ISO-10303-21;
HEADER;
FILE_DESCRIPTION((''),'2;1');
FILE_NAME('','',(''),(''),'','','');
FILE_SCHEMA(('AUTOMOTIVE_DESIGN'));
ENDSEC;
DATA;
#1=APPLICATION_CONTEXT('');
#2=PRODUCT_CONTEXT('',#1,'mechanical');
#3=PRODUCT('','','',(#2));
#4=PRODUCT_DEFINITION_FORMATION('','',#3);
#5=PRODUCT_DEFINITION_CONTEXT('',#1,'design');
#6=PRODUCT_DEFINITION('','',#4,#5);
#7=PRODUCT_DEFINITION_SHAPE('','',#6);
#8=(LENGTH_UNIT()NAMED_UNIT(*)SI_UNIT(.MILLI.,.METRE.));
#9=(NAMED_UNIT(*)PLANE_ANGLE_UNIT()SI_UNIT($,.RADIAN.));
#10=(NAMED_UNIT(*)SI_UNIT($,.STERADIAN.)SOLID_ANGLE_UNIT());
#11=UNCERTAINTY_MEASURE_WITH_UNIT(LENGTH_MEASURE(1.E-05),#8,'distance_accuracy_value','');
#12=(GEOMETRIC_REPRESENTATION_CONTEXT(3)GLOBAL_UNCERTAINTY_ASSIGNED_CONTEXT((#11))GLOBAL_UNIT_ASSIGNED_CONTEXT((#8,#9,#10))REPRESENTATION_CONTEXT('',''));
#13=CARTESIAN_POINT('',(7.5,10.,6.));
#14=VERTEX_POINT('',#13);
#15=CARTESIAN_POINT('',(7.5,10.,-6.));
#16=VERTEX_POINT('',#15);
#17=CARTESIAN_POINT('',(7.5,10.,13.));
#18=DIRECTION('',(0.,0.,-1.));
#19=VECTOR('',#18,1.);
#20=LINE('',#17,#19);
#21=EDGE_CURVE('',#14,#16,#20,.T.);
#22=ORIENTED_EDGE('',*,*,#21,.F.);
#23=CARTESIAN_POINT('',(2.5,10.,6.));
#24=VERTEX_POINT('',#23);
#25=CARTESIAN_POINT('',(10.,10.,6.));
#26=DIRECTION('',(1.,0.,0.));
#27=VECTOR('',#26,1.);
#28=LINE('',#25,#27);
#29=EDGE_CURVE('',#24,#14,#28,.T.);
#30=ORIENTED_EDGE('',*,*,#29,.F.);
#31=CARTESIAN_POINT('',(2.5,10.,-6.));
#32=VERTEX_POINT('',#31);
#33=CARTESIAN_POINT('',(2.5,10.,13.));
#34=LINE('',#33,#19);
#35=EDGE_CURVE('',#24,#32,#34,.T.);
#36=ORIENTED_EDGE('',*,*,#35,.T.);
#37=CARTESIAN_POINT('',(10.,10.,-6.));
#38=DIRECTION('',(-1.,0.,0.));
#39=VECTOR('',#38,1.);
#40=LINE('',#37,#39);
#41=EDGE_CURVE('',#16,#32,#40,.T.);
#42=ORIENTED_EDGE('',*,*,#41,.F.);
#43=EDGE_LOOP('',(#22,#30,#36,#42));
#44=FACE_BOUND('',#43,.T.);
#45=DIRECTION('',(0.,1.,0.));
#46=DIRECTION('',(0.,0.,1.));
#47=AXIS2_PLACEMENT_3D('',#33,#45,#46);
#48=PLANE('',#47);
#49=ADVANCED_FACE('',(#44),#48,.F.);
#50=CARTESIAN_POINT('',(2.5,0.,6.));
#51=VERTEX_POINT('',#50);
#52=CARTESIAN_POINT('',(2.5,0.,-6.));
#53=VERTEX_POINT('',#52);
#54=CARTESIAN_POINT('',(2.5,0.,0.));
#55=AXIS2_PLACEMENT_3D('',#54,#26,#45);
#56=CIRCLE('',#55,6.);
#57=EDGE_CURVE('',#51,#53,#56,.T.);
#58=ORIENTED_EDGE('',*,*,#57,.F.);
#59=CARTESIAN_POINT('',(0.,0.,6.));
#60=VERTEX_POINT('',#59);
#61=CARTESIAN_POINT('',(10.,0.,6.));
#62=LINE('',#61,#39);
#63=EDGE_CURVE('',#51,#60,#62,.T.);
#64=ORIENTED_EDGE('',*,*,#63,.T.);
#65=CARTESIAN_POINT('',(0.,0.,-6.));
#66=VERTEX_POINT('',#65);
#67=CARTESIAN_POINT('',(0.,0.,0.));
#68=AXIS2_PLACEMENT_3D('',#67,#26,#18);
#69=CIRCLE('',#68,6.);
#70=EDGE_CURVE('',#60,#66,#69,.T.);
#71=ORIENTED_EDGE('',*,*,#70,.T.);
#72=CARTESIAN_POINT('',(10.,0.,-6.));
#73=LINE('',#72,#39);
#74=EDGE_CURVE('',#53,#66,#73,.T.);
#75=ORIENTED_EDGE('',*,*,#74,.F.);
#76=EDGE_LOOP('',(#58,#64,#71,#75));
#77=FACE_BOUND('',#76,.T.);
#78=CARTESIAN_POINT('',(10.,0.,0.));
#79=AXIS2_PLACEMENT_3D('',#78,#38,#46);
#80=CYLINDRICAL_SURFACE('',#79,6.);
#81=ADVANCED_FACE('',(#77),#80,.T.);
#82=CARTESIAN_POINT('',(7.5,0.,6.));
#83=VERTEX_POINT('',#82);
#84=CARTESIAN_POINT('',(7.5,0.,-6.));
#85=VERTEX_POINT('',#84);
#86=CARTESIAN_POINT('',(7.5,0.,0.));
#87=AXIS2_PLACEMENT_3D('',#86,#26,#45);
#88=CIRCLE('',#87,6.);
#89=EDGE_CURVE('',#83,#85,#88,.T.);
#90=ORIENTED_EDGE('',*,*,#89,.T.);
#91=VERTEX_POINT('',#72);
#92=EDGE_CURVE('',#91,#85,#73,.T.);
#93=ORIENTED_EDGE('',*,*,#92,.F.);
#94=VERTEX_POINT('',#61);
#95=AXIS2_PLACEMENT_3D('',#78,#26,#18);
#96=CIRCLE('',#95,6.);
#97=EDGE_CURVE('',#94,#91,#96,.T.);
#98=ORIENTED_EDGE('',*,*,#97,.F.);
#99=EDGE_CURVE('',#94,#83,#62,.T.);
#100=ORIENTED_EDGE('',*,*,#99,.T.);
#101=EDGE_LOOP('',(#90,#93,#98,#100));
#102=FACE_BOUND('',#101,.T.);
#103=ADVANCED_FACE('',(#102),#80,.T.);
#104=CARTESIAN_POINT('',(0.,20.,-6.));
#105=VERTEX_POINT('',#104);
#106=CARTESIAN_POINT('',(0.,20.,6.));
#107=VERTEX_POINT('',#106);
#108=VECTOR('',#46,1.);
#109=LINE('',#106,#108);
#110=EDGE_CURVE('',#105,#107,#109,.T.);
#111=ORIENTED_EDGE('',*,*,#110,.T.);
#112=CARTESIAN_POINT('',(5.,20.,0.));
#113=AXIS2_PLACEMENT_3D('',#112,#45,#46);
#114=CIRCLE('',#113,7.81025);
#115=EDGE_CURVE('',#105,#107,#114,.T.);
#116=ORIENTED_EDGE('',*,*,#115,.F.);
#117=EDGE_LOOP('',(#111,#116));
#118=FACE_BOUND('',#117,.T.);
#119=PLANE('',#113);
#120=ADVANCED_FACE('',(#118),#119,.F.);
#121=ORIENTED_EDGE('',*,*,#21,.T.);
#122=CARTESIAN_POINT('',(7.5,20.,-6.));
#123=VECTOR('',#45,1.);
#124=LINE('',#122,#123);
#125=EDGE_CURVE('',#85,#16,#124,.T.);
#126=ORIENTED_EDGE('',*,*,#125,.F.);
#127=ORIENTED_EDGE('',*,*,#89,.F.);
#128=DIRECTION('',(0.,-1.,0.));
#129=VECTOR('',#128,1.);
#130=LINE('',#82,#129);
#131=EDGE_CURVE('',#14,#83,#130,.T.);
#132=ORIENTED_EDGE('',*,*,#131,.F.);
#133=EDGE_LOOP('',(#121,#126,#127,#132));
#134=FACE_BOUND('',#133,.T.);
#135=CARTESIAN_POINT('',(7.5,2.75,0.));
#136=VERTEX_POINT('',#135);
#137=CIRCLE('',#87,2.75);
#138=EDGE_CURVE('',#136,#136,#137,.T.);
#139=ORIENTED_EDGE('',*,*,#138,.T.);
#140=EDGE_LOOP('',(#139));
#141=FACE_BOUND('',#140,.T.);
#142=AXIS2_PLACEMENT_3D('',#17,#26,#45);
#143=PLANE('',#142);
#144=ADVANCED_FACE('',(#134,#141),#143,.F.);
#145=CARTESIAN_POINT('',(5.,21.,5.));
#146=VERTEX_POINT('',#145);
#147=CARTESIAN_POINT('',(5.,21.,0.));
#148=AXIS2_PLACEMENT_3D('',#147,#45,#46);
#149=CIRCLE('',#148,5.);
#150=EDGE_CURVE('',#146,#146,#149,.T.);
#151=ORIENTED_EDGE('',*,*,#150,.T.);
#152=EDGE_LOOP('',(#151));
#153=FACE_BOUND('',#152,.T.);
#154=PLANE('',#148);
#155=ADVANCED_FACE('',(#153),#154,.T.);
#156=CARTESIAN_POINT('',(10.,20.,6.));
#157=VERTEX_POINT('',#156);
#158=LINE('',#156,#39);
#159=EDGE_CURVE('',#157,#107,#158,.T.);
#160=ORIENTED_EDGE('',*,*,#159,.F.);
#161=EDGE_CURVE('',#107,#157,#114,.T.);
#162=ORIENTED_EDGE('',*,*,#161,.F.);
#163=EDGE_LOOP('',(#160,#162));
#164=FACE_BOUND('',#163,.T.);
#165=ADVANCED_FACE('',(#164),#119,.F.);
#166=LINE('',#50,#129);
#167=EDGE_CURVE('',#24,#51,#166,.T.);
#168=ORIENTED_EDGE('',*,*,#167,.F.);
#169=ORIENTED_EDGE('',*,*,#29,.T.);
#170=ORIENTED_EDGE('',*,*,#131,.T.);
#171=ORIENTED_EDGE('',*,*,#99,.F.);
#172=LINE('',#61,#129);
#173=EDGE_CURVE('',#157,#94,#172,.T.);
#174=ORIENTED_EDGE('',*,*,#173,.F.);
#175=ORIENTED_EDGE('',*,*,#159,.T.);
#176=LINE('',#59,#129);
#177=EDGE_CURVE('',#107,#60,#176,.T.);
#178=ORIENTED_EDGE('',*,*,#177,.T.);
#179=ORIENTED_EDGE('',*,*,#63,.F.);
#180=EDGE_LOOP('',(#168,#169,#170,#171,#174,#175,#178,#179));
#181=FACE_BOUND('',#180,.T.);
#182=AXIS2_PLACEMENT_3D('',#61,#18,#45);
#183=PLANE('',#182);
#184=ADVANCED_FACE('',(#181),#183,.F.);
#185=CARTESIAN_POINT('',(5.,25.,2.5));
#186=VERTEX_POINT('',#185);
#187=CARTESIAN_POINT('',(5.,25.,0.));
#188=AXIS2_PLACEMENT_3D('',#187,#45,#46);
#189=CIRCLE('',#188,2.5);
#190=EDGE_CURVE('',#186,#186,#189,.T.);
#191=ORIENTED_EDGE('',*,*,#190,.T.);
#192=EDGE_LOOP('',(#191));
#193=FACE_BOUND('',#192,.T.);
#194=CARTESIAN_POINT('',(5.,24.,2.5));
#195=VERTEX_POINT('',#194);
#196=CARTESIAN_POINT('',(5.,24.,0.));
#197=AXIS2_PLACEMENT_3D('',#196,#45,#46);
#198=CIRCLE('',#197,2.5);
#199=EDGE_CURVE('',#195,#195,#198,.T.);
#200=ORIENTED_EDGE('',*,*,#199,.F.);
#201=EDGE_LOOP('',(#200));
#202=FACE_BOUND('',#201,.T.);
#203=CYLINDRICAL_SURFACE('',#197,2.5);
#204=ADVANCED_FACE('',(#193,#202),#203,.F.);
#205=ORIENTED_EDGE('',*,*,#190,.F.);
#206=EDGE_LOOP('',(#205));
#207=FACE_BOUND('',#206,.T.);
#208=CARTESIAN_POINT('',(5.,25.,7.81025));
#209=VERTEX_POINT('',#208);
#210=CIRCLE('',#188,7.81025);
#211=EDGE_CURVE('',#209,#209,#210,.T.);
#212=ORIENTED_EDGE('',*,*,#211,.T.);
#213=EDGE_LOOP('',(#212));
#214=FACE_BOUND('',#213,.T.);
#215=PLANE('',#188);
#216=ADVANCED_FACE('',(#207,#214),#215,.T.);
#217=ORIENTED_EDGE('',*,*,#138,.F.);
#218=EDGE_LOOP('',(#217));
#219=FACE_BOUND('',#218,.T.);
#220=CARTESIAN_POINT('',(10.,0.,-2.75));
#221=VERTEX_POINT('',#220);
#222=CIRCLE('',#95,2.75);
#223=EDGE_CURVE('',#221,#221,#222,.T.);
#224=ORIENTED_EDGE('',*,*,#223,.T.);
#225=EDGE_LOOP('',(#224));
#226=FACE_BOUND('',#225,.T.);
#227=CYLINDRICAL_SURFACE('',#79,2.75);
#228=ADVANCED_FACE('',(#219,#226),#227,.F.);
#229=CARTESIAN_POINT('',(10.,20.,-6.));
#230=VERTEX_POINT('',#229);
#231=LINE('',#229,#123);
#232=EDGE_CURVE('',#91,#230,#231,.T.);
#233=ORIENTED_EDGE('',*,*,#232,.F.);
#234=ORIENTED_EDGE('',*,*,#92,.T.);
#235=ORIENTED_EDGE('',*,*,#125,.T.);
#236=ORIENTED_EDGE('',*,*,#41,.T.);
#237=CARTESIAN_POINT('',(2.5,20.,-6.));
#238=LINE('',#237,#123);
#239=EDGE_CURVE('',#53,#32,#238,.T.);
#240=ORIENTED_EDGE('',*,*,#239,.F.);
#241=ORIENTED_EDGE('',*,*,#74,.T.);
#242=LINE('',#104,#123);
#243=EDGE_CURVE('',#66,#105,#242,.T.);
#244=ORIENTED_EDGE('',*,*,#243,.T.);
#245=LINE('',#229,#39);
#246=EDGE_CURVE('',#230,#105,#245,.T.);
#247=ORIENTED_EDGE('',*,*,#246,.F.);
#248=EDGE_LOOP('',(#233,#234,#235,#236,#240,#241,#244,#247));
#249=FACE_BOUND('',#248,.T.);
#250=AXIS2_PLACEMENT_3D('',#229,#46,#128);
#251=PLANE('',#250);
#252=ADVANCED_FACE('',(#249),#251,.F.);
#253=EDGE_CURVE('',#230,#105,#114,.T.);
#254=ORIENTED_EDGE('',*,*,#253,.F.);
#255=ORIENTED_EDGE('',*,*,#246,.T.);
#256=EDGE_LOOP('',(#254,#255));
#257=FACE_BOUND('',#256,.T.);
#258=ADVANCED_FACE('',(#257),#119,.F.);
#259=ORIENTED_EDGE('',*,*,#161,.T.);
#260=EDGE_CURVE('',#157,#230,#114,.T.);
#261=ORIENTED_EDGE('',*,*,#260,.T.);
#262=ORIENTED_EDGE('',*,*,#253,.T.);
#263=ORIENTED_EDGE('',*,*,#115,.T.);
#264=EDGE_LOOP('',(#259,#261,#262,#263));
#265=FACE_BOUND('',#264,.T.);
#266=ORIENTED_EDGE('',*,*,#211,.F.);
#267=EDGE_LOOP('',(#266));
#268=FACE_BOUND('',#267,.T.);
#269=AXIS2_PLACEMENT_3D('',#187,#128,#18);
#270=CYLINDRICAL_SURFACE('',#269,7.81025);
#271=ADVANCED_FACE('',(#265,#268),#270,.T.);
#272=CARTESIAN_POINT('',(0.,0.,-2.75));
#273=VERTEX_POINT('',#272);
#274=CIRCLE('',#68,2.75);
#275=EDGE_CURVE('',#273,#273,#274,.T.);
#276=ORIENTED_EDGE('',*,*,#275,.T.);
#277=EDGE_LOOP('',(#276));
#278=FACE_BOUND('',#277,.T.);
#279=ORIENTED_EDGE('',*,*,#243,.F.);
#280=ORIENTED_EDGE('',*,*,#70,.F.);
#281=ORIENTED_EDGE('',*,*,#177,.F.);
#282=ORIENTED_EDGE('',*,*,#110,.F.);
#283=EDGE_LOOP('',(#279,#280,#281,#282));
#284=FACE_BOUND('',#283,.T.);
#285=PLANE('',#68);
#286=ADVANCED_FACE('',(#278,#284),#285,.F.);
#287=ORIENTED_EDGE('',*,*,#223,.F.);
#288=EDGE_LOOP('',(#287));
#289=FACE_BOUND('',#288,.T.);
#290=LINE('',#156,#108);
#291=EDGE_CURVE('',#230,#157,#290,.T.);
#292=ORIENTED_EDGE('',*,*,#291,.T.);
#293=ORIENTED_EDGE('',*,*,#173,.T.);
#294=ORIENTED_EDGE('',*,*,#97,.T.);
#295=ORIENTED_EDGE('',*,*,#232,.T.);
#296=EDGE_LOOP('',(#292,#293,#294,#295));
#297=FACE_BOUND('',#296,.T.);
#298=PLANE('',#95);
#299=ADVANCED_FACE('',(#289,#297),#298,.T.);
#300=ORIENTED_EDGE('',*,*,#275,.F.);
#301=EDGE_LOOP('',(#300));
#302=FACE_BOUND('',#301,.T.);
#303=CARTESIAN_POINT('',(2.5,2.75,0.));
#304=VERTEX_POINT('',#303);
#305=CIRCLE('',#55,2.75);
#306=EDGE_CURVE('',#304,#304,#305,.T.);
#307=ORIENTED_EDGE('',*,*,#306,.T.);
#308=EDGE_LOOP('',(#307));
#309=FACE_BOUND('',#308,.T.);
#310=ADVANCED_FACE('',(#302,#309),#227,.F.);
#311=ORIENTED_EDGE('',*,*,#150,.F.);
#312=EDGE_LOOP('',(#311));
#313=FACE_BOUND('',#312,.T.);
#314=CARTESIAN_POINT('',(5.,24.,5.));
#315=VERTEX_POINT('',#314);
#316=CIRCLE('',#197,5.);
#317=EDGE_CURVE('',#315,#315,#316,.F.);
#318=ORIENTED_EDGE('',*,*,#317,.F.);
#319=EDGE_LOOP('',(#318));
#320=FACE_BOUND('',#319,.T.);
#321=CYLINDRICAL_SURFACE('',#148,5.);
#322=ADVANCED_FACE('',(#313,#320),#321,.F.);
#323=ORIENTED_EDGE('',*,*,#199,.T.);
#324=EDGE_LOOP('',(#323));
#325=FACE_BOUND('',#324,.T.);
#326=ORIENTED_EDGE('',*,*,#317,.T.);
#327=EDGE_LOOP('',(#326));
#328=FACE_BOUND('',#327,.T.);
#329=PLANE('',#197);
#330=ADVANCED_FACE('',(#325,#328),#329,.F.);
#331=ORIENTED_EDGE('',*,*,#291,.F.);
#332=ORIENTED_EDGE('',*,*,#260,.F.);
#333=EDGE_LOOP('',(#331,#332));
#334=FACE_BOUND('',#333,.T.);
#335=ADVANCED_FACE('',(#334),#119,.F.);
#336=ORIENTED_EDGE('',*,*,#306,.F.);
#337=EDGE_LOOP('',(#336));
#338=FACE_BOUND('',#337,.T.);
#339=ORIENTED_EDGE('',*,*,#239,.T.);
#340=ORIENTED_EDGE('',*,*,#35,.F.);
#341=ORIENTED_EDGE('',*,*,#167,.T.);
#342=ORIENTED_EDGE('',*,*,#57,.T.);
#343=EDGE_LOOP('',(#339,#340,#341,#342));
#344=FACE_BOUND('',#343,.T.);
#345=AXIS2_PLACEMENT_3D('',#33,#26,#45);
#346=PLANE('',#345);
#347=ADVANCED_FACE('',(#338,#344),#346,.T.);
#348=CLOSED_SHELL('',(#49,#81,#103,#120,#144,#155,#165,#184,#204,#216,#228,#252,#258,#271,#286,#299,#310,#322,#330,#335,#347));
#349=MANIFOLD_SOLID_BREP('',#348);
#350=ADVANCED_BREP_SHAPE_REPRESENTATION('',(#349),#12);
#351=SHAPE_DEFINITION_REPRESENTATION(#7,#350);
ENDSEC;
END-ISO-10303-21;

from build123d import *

# Parameters (mm, degrees)
SKETCH1_R           = 2.75
BOSS_EXTRUDE1_DEPTH = 10
SKETCH3_R           = 7.810249676
BOSS_EXTRUDE3_DEPTH = 5
SKETCH4_R           = 5
CUT_EXTRUDE1_DEPTH  = 4
SKETCH5_R           = 6.128825336
SKETCH5_R_2         = 2.5
BOSS_EXTRUDE4_DEPTH = 1
SKETCH7_W           = 20.888038085
SKETCH7_H           = 5
CUT_EXTRUDE2_DEPTH  = 13


with BuildPart() as part:
    # Sketch1 → Boss-Extrude1 (new body)
    with BuildSketch(Plane.YZ):
        with BuildLine():
            Line((0, 6), (20, 6))
            Line((20, 6), (20, -6))
            Line((20, -6), (0, -6))
            ThreePointArc((0, -6), (-6, 0), (0, 6))
        make_face()
        with Locations(Location((0, 0, 0), (0, 0, 270))):
            Circle(SKETCH1_R, mode=Mode.SUBTRACT)
    extrude(amount=BOSS_EXTRUDE1_DEPTH)

    # Sketch3 → Boss-Extrude3 (add)
    with BuildSketch(Plane(origin=(0, 20, 0), x_dir=(-1, 0, 0), z_dir=(0, 1, 0))):
        with Locations(Location((-5, 0, 0), (0, 0, 230.194428908))):
            Circle(SKETCH3_R)
    extrude(amount=BOSS_EXTRUDE3_DEPTH)

    # Sketch4 → Cut-Extrude1 (cut)
    with BuildSketch(Plane(origin=(0, 25, 0), x_dir=(-1, 0, 0), z_dir=(0, 1, 0))):
        with Locations(Location((-5, 0, 0), (0, 0, 90))):
            Circle(SKETCH4_R)
    extrude(amount=-CUT_EXTRUDE1_DEPTH, mode=Mode.SUBTRACT)

    # Sketch5 → Boss-Extrude4 (add)
    with BuildSketch(Plane(origin=(0, 25, 0), x_dir=(-1, 0, 0), z_dir=(0, 1, 0))):
        with Locations((-5, 0)):
            Circle(SKETCH5_R)
        with Locations(Location((-5, 0, 0), (0, 0, 90))):
            Circle(SKETCH5_R_2, mode=Mode.SUBTRACT)
    extrude(amount=-BOSS_EXTRUDE4_DEPTH)

    # Sketch7 → Cut-Extrude2 (cut, symmetric)
    with BuildSketch(Plane(origin=(0, 0, 0), x_dir=(0, 1, 0), z_dir=(0, 0, 1))):
        with Locations((-0.444019042, -5)):
            Rectangle(SKETCH7_W, SKETCH7_H)
    extrude(amount=CUT_EXTRUDE2_DEPTH, both=True, mode=Mode.SUBTRACT)


solid = part.part
